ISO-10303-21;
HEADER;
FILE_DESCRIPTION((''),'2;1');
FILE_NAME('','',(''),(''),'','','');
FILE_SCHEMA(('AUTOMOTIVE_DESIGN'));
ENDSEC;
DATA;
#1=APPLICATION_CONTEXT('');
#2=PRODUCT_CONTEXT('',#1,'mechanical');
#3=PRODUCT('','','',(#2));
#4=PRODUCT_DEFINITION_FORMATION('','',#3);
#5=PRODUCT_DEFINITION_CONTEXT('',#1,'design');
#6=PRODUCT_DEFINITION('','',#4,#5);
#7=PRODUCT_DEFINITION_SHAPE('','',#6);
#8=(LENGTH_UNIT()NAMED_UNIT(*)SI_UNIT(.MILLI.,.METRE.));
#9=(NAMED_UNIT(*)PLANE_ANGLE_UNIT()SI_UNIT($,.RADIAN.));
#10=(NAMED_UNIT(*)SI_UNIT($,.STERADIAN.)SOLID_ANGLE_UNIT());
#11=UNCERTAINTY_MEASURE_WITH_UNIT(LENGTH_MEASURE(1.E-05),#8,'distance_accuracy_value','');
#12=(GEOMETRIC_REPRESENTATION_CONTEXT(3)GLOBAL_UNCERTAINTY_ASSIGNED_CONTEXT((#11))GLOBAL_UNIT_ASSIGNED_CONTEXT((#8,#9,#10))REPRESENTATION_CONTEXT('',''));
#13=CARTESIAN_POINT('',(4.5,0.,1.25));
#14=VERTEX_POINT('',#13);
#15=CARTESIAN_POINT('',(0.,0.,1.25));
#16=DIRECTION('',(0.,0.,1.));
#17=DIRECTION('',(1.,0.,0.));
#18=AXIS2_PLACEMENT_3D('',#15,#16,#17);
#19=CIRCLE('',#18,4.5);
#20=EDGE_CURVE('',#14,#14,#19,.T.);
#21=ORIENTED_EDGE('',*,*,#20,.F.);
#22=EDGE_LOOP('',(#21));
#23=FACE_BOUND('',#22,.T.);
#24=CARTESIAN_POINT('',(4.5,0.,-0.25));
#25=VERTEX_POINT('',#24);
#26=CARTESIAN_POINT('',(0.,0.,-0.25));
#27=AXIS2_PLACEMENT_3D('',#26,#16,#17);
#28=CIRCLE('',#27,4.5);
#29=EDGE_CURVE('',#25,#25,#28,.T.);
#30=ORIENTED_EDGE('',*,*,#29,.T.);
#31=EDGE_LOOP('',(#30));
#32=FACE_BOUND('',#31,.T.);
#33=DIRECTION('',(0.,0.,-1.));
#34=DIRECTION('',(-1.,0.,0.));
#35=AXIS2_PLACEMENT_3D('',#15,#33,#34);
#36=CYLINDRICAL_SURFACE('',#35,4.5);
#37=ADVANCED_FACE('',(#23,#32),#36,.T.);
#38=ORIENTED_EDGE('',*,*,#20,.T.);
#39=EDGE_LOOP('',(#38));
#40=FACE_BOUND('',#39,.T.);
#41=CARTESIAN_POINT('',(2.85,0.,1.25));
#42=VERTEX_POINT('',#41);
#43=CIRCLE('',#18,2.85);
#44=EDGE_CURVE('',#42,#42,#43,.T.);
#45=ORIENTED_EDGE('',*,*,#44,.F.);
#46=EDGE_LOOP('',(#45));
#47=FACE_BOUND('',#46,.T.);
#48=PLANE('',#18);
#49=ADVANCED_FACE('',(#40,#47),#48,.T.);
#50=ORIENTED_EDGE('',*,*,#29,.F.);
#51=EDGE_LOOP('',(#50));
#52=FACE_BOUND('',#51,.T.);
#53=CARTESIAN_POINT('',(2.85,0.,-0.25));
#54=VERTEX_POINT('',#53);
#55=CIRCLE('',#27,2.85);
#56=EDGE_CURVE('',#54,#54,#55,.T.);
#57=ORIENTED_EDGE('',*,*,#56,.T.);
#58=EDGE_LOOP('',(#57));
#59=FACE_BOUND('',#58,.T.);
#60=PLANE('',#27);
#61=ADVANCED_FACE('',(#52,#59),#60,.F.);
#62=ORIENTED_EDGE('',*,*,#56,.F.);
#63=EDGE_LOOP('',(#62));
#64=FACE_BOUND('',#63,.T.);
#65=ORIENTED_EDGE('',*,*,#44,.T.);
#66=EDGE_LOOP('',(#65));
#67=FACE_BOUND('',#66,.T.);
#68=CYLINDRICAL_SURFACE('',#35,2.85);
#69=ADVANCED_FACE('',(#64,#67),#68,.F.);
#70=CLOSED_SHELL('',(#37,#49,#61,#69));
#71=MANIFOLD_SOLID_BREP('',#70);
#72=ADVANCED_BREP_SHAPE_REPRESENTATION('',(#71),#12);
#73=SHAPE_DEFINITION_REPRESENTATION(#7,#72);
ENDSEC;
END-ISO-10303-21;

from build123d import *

# Parameters (mm, degrees)
SKETCH1_R           = 3
SKETCH1_R_2         = 1.9
BOSS_EXTRUDE1_DEPTH = 1
SCALE1_SCALE        = 1.5


with BuildPart() as part:
    # Sketch1 → Boss-Extrude1 (new body)
    with BuildSketch(Plane.XY):
        Circle(SKETCH1_R)
        Circle(SKETCH1_R_2, mode=Mode.SUBTRACT)
    extrude(amount=BOSS_EXTRUDE1_DEPTH)


with BuildPart() as part_1:
    # Scale1: scaled about (0, 0, 0.5)
    add(part.part.scale(SCALE1_SCALE).moved(Location((0, 0, -0.25))))


solid = part_1.part
